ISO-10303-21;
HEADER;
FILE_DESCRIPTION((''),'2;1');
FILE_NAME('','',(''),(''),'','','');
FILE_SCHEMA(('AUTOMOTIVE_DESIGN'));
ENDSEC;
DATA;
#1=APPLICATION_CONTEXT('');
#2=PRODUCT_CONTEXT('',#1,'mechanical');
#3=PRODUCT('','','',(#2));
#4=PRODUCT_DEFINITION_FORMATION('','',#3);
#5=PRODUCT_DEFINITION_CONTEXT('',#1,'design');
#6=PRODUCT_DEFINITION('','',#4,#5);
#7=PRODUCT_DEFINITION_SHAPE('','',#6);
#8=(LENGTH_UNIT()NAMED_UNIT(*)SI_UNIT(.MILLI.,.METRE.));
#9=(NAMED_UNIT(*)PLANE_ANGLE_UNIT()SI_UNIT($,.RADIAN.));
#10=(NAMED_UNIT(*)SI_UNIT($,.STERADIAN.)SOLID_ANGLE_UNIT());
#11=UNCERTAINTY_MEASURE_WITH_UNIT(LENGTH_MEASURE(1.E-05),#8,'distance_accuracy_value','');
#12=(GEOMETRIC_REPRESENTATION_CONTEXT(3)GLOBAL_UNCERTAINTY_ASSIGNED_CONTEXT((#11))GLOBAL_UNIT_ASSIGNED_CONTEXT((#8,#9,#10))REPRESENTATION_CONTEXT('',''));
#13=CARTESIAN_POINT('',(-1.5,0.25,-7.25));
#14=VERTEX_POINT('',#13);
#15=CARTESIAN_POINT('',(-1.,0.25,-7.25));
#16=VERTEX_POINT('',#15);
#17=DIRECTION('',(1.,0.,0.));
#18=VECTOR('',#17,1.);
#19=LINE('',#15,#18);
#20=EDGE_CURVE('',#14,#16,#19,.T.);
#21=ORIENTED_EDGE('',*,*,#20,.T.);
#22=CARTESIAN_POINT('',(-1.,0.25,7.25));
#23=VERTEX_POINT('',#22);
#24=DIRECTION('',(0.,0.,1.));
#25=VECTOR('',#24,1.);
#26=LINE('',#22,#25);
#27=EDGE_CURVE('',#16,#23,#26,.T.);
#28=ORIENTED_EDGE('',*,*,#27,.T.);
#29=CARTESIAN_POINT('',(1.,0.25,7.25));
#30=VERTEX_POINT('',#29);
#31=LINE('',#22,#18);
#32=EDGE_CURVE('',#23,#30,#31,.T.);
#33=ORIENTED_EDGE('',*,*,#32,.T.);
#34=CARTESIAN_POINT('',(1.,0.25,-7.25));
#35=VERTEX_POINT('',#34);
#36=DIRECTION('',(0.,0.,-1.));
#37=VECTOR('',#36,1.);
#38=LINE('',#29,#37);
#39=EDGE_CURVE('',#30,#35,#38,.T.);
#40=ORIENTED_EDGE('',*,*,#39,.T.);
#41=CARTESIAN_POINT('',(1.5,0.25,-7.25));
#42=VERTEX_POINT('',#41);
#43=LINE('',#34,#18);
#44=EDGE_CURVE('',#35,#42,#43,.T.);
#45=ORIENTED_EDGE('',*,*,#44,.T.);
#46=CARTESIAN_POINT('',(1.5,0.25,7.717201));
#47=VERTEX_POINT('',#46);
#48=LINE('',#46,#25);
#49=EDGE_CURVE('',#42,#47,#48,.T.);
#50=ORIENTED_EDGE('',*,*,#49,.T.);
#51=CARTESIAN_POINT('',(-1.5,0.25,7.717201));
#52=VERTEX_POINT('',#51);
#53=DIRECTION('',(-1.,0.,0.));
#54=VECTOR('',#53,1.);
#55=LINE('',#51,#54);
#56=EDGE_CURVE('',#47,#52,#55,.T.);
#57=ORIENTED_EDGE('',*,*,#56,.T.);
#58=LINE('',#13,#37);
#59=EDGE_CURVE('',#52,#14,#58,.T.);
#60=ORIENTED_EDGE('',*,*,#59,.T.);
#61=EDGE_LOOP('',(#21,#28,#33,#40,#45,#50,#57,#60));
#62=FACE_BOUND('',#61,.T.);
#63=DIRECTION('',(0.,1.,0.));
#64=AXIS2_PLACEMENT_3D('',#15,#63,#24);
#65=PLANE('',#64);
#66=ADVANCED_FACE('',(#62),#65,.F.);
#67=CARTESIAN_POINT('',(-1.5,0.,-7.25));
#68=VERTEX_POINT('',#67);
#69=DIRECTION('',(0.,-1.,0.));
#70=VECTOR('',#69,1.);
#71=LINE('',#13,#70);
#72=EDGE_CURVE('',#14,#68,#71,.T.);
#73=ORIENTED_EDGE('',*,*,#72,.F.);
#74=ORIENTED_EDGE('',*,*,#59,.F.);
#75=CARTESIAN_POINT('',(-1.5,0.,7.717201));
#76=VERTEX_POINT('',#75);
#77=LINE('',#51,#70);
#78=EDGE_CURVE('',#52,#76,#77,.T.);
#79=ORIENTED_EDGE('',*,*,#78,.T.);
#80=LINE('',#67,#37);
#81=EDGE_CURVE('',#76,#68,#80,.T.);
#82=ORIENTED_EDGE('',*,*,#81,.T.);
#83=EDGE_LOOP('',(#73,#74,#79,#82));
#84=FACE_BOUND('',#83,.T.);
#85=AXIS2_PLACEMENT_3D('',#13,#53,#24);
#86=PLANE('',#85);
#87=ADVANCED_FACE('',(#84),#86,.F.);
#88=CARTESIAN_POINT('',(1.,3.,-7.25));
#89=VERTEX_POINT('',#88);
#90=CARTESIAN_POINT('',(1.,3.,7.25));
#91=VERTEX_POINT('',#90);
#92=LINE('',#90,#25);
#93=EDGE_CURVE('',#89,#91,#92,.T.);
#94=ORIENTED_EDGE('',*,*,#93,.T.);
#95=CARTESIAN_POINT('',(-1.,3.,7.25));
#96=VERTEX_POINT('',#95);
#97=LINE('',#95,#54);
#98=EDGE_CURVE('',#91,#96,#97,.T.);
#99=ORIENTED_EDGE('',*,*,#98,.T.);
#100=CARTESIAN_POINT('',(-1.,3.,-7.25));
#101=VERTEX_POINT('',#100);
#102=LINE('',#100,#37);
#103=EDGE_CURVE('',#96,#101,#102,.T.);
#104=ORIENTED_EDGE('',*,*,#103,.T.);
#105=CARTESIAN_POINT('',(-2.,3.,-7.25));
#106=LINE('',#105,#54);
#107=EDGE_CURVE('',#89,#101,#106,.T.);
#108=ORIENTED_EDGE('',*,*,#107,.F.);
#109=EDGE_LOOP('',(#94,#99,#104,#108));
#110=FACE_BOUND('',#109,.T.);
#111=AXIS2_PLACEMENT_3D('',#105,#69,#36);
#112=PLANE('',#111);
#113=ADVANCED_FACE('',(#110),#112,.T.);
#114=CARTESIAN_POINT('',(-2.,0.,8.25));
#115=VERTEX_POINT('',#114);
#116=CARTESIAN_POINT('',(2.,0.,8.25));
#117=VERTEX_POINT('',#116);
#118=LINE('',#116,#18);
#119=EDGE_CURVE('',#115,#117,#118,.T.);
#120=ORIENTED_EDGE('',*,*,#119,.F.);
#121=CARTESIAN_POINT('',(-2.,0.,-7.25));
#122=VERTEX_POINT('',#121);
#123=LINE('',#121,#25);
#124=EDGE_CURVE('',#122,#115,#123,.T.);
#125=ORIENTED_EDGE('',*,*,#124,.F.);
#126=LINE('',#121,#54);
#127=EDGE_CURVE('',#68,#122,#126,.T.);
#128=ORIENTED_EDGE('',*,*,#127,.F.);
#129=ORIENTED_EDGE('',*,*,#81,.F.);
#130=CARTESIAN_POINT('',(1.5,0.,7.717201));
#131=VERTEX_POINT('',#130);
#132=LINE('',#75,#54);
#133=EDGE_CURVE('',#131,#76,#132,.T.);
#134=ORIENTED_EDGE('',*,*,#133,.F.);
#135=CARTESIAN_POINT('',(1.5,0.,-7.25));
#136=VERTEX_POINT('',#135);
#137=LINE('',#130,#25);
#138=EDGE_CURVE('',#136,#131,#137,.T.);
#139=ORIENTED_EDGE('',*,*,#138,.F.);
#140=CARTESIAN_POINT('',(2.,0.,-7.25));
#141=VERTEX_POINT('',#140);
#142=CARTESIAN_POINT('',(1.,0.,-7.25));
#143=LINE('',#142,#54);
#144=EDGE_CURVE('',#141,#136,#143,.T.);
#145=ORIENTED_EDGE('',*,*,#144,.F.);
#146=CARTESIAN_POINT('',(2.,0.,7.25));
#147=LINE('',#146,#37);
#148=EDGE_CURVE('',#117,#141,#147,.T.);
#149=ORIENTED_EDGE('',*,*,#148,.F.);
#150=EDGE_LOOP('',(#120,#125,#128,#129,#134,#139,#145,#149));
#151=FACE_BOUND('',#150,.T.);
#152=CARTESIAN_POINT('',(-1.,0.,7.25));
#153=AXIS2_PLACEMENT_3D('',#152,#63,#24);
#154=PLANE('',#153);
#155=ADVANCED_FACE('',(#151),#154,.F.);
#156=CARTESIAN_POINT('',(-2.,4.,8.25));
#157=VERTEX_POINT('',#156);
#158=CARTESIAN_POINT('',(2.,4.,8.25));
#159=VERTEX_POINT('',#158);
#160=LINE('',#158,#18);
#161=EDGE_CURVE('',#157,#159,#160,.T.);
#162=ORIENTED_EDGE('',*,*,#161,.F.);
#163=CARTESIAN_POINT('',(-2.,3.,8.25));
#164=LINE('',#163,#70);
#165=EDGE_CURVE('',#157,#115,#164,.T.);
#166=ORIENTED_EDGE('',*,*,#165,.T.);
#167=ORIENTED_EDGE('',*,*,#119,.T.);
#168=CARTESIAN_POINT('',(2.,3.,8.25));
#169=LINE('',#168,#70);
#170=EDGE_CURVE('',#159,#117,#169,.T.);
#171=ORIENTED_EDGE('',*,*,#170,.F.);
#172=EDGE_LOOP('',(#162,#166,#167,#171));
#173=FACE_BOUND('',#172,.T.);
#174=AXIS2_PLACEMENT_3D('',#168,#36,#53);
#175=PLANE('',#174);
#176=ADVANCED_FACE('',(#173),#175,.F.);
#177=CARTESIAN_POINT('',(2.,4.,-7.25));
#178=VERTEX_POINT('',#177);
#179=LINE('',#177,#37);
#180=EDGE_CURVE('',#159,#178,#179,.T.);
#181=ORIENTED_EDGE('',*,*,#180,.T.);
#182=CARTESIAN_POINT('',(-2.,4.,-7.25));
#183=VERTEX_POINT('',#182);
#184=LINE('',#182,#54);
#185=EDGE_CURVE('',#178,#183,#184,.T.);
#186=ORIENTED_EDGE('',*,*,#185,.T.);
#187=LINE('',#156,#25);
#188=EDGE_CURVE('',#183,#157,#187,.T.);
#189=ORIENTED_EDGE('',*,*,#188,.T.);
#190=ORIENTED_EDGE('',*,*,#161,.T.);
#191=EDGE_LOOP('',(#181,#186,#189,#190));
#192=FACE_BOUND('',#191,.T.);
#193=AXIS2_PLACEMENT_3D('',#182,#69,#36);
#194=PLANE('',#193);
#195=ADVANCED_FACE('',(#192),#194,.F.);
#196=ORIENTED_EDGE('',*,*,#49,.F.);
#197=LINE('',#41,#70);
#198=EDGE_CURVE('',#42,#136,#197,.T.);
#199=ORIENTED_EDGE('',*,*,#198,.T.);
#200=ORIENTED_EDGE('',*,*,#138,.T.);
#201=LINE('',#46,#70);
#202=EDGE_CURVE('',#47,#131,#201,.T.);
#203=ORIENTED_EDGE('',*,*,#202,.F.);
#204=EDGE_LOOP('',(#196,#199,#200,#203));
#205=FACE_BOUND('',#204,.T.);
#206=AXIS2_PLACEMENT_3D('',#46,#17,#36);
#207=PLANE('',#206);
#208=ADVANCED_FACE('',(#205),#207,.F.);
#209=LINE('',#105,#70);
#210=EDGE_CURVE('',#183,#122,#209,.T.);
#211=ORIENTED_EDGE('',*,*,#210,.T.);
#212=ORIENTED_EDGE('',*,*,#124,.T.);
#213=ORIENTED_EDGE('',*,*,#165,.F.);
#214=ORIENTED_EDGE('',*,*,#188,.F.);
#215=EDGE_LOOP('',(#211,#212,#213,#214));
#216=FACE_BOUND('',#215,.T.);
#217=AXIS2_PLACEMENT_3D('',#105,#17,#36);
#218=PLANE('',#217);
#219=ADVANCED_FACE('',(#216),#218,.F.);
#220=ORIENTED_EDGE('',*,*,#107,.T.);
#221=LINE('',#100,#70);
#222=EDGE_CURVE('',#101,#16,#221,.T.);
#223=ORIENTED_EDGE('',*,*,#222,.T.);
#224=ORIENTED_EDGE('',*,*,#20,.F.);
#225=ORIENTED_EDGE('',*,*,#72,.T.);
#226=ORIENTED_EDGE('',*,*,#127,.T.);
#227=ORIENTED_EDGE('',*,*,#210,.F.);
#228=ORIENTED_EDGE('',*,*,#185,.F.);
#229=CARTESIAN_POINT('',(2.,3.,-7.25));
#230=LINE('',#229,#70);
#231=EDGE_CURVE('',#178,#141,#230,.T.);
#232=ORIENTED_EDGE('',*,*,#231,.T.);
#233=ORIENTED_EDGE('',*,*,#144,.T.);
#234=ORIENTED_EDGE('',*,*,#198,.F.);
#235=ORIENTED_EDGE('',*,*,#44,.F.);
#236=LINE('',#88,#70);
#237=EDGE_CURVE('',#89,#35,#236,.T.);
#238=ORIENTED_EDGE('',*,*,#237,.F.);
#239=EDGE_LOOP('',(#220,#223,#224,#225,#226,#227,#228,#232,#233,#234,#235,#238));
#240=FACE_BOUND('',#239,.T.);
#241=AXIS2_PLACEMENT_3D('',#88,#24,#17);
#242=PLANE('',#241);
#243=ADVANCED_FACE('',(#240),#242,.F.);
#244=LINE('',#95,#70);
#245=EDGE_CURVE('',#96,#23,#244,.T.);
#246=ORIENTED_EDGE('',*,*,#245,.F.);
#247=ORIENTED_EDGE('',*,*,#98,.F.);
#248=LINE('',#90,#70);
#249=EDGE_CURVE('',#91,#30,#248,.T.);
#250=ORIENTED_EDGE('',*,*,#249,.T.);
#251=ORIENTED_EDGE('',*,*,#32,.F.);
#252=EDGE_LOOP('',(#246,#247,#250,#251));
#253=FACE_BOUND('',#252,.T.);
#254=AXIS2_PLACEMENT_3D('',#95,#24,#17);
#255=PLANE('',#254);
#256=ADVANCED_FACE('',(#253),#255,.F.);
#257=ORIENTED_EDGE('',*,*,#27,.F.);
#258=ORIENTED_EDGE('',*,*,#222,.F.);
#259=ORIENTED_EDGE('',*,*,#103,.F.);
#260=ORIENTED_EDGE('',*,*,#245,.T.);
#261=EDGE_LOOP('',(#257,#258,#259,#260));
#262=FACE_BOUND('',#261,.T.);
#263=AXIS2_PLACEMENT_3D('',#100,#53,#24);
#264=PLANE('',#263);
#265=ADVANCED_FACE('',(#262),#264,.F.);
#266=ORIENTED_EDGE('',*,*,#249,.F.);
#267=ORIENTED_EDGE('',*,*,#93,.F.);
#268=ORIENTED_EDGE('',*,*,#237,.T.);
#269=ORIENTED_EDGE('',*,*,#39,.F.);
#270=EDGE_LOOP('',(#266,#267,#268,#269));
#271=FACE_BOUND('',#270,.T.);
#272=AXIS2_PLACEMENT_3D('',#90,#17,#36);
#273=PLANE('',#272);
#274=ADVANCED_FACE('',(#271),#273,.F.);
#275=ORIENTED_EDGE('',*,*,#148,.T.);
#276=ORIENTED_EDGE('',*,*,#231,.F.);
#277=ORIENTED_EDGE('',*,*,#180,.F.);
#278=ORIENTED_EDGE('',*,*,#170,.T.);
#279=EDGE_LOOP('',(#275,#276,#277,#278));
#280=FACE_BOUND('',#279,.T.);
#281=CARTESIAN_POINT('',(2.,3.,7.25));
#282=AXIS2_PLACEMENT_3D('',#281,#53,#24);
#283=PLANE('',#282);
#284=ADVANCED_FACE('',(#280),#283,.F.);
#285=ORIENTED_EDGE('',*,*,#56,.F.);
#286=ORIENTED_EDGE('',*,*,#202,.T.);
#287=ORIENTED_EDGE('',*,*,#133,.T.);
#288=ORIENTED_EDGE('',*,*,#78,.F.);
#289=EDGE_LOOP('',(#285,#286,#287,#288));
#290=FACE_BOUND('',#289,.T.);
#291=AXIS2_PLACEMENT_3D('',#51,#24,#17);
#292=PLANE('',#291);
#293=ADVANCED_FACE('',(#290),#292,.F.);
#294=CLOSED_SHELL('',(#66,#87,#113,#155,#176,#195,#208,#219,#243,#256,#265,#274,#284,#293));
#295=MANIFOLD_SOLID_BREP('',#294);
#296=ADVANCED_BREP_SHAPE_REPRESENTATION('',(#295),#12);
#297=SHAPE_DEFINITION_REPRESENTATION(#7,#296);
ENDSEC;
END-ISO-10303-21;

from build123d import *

# Parameters (mm, degrees)
BOSS_EXTRUDE1_DEPTH = 3
SKETCH2_W           = 4
SKETCH2_H           = 15.5
BOSS_EXTRUDE2_DEPTH = 1
CUT_EXTRUDE1_DEPTH  = 0.25


with BuildPart() as part:
    # Sketch1 → Boss-Extrude1 (new body)
    with BuildSketch(Plane(origin=(0, 0, 0), x_dir=(1, 0, 0), z_dir=(0, 1, 0))):
        Polygon((-1, -7.25), (1, -7.25), (1, 7.25), (2, 7.25), (2, -7.25), (2, -8.25), (1, -8.25), (-2, -8.25), (-2, 7.25), (-1, 7.25), align=None)
    extrude(amount=BOSS_EXTRUDE1_DEPTH)

    # Sketch2 → Boss-Extrude2 (add)
    with BuildSketch(Plane(origin=(0, 3, 0), x_dir=(1, 0, 0), z_dir=(0, 1, 0))):
        with Locations((0, -0.5)):
            Rectangle(SKETCH2_W, SKETCH2_H)
    extrude(amount=BOSS_EXTRUDE2_DEPTH)

    # Sketch3 → Cut-Extrude1 (cut)
    with BuildSketch(Plane.XZ):
        Polygon((-1, 7.25), (1, 7.25), (1, -7.25), (1.5, -7.25), (1.5, 7.717200742), (-1.5, 7.717200742), (-1.5, -7.25), (-1, -7.25), align=None)
    extrude(amount=-CUT_EXTRUDE1_DEPTH, mode=Mode.SUBTRACT)


solid = part.part
